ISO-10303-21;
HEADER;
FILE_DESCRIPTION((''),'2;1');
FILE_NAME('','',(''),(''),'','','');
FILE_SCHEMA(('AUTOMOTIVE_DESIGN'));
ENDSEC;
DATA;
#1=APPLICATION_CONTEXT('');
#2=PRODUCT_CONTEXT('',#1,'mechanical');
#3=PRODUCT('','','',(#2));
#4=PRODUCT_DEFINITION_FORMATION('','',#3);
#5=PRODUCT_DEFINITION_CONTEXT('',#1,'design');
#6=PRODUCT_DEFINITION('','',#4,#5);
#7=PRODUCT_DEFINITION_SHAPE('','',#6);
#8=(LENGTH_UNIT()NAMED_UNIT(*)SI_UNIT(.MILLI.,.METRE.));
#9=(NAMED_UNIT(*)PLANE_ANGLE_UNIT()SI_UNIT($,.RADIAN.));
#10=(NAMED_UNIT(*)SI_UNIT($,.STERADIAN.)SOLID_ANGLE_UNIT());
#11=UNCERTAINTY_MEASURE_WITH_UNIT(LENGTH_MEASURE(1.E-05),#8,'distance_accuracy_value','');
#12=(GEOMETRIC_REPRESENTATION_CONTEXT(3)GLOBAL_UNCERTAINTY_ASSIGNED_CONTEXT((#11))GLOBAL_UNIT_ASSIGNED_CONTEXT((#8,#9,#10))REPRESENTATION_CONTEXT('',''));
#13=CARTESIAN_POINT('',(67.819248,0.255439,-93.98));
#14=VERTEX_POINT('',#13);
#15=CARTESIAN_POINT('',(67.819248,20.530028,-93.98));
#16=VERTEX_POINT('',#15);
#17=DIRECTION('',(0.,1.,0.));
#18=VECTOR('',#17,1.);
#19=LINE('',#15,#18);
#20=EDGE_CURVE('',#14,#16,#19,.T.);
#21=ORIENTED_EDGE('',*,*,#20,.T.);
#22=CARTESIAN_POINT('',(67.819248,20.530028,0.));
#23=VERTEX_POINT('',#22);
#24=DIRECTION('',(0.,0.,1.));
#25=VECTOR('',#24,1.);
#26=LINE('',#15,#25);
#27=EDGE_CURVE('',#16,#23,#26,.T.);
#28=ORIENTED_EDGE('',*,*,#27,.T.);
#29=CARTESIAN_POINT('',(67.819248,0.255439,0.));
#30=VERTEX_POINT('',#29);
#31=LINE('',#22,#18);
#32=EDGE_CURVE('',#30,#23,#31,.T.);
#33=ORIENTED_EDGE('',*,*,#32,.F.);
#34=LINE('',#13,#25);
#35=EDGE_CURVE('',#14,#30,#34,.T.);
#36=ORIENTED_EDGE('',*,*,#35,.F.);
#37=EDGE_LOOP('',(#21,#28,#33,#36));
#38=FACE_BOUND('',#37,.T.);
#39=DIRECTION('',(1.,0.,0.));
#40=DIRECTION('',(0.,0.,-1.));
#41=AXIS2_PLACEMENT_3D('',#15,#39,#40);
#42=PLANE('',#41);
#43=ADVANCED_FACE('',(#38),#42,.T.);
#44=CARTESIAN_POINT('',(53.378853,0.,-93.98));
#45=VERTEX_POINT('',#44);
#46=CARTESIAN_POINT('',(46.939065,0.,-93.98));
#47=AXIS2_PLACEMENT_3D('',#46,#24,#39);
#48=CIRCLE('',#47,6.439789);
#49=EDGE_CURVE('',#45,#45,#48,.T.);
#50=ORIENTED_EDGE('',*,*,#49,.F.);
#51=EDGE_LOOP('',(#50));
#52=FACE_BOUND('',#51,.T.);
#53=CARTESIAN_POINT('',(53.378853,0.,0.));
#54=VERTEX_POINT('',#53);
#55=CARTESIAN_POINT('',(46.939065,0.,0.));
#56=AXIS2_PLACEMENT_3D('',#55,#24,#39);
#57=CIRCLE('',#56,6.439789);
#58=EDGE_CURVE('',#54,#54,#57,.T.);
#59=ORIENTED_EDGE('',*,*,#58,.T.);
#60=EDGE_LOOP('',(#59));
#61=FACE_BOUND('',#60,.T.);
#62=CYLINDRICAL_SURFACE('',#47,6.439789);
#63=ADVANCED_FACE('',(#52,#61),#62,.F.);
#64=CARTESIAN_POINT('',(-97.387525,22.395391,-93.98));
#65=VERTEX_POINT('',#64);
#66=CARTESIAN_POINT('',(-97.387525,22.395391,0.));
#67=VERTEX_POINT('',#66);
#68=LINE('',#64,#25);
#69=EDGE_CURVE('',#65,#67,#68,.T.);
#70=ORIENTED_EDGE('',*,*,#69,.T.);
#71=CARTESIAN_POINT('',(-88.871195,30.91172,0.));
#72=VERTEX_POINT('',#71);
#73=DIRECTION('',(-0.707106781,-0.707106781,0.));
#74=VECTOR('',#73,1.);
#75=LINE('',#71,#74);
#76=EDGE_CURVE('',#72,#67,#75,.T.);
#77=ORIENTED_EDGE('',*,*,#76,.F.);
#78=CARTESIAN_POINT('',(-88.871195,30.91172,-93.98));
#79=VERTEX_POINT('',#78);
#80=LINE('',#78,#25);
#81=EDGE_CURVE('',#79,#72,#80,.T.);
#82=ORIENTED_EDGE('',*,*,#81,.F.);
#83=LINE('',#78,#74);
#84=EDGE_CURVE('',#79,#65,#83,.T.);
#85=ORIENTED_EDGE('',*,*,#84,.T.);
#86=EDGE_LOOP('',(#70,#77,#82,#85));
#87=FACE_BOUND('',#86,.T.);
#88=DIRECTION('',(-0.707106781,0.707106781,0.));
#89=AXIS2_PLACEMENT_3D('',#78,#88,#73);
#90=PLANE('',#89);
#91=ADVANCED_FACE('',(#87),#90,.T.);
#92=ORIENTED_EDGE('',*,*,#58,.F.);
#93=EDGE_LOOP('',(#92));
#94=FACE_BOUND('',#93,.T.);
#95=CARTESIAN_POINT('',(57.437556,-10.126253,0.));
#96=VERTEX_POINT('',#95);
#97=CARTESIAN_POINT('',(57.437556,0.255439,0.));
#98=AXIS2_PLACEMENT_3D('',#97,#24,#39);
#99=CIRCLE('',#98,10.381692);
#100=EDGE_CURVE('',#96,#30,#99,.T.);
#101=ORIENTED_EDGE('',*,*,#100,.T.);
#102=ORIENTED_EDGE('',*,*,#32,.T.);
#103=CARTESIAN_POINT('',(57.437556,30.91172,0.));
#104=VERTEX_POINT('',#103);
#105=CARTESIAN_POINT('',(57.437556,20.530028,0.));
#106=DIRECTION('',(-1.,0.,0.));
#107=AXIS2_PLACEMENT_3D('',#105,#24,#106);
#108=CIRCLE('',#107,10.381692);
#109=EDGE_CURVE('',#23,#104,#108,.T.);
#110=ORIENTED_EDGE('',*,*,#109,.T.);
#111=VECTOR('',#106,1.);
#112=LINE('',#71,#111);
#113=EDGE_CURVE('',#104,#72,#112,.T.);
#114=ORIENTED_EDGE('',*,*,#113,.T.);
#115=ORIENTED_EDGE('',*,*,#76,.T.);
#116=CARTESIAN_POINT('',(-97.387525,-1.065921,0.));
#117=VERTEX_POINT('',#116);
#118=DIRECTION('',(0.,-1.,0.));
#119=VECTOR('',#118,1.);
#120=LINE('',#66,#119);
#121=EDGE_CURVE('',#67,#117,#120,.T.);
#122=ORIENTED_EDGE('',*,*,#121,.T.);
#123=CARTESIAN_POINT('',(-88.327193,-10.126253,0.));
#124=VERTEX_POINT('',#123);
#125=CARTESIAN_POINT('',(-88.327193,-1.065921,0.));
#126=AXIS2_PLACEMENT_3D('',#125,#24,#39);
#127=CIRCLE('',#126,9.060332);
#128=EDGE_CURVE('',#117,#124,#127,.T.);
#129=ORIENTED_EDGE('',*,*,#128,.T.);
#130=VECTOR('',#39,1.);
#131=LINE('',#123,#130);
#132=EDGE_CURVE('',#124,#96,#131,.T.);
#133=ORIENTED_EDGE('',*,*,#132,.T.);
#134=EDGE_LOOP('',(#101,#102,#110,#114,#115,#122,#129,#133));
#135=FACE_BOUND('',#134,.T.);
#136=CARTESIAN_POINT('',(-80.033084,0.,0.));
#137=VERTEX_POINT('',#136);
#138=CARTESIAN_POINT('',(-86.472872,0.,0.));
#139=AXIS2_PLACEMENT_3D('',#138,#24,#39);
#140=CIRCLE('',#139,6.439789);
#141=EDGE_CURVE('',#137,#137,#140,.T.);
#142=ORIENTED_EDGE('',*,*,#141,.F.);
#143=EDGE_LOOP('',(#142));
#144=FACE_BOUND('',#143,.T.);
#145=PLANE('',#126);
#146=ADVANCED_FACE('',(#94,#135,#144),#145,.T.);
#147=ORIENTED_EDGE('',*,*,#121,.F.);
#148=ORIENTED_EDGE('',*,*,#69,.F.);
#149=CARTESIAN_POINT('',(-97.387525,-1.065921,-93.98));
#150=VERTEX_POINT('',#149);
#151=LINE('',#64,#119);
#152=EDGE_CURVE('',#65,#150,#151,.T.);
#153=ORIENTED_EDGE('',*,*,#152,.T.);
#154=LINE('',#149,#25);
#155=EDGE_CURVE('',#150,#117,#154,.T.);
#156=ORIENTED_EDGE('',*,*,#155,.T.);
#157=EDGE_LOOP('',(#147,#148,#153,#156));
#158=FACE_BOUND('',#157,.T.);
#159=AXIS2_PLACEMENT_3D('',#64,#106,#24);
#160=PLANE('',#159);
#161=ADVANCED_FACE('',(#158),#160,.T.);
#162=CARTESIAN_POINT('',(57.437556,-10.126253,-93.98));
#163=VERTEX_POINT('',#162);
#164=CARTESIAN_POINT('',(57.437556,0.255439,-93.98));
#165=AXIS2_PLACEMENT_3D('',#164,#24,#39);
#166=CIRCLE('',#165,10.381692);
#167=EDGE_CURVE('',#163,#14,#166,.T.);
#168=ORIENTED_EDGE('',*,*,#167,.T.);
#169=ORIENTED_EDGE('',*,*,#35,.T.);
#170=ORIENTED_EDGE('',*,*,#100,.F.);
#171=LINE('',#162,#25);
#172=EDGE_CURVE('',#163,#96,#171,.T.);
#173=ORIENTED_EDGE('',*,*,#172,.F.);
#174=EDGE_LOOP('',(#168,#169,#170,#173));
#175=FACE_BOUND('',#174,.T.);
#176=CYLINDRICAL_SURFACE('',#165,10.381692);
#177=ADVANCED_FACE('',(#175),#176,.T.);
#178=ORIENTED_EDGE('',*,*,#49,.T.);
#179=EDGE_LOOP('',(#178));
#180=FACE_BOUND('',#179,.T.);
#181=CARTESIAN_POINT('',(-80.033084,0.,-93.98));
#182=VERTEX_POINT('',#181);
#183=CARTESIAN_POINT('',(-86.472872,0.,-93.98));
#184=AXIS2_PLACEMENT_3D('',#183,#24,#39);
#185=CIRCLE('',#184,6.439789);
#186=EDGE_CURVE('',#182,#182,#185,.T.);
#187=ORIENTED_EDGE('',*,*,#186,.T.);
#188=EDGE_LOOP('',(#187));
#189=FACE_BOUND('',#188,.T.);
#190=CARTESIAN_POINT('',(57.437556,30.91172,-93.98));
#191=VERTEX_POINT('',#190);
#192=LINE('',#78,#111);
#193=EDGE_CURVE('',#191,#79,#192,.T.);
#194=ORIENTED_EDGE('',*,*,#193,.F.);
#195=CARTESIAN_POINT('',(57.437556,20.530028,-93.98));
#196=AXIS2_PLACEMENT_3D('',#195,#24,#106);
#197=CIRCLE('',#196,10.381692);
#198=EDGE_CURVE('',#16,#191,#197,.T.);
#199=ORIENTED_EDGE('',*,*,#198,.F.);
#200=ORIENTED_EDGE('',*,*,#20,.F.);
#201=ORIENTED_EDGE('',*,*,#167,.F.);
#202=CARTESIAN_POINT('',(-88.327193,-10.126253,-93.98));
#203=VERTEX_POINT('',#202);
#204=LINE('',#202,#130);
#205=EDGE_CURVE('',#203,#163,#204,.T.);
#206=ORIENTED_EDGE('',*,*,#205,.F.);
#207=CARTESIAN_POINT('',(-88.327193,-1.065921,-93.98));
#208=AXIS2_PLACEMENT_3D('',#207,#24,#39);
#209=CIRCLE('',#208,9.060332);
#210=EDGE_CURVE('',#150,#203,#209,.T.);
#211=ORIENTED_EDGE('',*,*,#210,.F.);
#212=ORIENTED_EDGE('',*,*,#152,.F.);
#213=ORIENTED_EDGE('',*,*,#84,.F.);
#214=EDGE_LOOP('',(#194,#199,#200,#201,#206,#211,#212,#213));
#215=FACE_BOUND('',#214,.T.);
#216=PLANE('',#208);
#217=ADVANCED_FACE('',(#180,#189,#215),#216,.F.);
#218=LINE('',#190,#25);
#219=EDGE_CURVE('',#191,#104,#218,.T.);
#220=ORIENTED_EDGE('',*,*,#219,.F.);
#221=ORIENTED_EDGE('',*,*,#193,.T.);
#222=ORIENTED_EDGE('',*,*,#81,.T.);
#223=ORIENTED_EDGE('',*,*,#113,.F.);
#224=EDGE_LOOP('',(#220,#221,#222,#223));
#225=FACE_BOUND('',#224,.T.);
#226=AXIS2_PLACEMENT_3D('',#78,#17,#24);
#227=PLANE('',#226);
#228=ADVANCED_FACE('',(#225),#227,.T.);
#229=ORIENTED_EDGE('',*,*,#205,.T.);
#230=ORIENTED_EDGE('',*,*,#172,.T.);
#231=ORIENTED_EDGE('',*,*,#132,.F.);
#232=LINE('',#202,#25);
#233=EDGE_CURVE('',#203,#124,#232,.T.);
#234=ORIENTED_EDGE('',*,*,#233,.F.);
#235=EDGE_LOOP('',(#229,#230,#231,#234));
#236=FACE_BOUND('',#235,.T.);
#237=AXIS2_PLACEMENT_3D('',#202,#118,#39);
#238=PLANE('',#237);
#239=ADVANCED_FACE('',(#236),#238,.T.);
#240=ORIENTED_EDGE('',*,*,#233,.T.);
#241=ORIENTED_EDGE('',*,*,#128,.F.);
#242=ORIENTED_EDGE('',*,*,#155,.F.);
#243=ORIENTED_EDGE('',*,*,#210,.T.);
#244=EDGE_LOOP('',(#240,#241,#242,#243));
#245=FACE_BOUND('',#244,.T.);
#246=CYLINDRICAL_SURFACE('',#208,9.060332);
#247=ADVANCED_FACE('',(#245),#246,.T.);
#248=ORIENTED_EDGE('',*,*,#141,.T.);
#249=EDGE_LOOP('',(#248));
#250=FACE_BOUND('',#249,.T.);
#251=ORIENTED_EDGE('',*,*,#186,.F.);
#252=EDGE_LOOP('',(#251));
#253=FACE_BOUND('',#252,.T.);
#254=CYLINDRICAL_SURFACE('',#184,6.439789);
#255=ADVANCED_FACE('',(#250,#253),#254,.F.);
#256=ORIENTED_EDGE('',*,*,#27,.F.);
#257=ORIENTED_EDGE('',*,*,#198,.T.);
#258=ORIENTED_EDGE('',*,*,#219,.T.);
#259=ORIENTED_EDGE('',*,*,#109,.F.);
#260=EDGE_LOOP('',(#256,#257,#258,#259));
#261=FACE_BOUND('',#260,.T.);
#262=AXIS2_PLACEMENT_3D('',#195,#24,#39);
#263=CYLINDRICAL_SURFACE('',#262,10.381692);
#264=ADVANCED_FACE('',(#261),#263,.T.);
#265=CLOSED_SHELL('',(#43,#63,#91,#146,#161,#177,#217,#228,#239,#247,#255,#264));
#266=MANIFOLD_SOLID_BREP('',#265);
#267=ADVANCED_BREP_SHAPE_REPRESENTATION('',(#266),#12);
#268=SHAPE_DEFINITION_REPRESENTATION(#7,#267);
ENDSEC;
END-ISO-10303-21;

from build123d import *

# Parameters (mm, degrees)
SKETCH1_R           = 6.439788541
BOSS_EXTRUDE3_DEPTH = 93.98


with BuildPart() as part:
    # Sketch1 → Boss-Extrude3 (new body)
    with BuildSketch(Plane.XY):
        with BuildLine():
            Line((-88.871195362, 30.911720126), (57.437556069, 30.911720126))
            ThreePointArc((57.437556069, 30.911720126), (64.778520858, 27.870992949), (67.819248035, 20.53002816))
            Line((67.819248035, 20.53002816), (67.819248035, 0.255438821))
            ThreePointArc((67.819248035, 0.255438821), (64.778520858, -7.085525968), (57.437556069, -10.126253145))
            Line((57.437556069, -10.126253145), (-88.327193145, -10.126253145))
            ThreePointArc((-88.327193145, -10.126253145), (-94.733815173, -7.472543412), (-97.387524906, -1.065921384))
            Line((-97.387524906, -1.065921384), (-97.387524906, 22.395390582))
            Line((-97.387524906, 22.395390582), (-88.871195362, 30.911720126))
        make_face()
        with Locations((-86.472872248, 0)):
            Circle(SKETCH1_R, mode=Mode.SUBTRACT)
        with Locations((46.939064733, 0)):
            Circle(SKETCH1_R, mode=Mode.SUBTRACT)
    extrude(amount=-BOSS_EXTRUDE3_DEPTH)


solid = part.part
